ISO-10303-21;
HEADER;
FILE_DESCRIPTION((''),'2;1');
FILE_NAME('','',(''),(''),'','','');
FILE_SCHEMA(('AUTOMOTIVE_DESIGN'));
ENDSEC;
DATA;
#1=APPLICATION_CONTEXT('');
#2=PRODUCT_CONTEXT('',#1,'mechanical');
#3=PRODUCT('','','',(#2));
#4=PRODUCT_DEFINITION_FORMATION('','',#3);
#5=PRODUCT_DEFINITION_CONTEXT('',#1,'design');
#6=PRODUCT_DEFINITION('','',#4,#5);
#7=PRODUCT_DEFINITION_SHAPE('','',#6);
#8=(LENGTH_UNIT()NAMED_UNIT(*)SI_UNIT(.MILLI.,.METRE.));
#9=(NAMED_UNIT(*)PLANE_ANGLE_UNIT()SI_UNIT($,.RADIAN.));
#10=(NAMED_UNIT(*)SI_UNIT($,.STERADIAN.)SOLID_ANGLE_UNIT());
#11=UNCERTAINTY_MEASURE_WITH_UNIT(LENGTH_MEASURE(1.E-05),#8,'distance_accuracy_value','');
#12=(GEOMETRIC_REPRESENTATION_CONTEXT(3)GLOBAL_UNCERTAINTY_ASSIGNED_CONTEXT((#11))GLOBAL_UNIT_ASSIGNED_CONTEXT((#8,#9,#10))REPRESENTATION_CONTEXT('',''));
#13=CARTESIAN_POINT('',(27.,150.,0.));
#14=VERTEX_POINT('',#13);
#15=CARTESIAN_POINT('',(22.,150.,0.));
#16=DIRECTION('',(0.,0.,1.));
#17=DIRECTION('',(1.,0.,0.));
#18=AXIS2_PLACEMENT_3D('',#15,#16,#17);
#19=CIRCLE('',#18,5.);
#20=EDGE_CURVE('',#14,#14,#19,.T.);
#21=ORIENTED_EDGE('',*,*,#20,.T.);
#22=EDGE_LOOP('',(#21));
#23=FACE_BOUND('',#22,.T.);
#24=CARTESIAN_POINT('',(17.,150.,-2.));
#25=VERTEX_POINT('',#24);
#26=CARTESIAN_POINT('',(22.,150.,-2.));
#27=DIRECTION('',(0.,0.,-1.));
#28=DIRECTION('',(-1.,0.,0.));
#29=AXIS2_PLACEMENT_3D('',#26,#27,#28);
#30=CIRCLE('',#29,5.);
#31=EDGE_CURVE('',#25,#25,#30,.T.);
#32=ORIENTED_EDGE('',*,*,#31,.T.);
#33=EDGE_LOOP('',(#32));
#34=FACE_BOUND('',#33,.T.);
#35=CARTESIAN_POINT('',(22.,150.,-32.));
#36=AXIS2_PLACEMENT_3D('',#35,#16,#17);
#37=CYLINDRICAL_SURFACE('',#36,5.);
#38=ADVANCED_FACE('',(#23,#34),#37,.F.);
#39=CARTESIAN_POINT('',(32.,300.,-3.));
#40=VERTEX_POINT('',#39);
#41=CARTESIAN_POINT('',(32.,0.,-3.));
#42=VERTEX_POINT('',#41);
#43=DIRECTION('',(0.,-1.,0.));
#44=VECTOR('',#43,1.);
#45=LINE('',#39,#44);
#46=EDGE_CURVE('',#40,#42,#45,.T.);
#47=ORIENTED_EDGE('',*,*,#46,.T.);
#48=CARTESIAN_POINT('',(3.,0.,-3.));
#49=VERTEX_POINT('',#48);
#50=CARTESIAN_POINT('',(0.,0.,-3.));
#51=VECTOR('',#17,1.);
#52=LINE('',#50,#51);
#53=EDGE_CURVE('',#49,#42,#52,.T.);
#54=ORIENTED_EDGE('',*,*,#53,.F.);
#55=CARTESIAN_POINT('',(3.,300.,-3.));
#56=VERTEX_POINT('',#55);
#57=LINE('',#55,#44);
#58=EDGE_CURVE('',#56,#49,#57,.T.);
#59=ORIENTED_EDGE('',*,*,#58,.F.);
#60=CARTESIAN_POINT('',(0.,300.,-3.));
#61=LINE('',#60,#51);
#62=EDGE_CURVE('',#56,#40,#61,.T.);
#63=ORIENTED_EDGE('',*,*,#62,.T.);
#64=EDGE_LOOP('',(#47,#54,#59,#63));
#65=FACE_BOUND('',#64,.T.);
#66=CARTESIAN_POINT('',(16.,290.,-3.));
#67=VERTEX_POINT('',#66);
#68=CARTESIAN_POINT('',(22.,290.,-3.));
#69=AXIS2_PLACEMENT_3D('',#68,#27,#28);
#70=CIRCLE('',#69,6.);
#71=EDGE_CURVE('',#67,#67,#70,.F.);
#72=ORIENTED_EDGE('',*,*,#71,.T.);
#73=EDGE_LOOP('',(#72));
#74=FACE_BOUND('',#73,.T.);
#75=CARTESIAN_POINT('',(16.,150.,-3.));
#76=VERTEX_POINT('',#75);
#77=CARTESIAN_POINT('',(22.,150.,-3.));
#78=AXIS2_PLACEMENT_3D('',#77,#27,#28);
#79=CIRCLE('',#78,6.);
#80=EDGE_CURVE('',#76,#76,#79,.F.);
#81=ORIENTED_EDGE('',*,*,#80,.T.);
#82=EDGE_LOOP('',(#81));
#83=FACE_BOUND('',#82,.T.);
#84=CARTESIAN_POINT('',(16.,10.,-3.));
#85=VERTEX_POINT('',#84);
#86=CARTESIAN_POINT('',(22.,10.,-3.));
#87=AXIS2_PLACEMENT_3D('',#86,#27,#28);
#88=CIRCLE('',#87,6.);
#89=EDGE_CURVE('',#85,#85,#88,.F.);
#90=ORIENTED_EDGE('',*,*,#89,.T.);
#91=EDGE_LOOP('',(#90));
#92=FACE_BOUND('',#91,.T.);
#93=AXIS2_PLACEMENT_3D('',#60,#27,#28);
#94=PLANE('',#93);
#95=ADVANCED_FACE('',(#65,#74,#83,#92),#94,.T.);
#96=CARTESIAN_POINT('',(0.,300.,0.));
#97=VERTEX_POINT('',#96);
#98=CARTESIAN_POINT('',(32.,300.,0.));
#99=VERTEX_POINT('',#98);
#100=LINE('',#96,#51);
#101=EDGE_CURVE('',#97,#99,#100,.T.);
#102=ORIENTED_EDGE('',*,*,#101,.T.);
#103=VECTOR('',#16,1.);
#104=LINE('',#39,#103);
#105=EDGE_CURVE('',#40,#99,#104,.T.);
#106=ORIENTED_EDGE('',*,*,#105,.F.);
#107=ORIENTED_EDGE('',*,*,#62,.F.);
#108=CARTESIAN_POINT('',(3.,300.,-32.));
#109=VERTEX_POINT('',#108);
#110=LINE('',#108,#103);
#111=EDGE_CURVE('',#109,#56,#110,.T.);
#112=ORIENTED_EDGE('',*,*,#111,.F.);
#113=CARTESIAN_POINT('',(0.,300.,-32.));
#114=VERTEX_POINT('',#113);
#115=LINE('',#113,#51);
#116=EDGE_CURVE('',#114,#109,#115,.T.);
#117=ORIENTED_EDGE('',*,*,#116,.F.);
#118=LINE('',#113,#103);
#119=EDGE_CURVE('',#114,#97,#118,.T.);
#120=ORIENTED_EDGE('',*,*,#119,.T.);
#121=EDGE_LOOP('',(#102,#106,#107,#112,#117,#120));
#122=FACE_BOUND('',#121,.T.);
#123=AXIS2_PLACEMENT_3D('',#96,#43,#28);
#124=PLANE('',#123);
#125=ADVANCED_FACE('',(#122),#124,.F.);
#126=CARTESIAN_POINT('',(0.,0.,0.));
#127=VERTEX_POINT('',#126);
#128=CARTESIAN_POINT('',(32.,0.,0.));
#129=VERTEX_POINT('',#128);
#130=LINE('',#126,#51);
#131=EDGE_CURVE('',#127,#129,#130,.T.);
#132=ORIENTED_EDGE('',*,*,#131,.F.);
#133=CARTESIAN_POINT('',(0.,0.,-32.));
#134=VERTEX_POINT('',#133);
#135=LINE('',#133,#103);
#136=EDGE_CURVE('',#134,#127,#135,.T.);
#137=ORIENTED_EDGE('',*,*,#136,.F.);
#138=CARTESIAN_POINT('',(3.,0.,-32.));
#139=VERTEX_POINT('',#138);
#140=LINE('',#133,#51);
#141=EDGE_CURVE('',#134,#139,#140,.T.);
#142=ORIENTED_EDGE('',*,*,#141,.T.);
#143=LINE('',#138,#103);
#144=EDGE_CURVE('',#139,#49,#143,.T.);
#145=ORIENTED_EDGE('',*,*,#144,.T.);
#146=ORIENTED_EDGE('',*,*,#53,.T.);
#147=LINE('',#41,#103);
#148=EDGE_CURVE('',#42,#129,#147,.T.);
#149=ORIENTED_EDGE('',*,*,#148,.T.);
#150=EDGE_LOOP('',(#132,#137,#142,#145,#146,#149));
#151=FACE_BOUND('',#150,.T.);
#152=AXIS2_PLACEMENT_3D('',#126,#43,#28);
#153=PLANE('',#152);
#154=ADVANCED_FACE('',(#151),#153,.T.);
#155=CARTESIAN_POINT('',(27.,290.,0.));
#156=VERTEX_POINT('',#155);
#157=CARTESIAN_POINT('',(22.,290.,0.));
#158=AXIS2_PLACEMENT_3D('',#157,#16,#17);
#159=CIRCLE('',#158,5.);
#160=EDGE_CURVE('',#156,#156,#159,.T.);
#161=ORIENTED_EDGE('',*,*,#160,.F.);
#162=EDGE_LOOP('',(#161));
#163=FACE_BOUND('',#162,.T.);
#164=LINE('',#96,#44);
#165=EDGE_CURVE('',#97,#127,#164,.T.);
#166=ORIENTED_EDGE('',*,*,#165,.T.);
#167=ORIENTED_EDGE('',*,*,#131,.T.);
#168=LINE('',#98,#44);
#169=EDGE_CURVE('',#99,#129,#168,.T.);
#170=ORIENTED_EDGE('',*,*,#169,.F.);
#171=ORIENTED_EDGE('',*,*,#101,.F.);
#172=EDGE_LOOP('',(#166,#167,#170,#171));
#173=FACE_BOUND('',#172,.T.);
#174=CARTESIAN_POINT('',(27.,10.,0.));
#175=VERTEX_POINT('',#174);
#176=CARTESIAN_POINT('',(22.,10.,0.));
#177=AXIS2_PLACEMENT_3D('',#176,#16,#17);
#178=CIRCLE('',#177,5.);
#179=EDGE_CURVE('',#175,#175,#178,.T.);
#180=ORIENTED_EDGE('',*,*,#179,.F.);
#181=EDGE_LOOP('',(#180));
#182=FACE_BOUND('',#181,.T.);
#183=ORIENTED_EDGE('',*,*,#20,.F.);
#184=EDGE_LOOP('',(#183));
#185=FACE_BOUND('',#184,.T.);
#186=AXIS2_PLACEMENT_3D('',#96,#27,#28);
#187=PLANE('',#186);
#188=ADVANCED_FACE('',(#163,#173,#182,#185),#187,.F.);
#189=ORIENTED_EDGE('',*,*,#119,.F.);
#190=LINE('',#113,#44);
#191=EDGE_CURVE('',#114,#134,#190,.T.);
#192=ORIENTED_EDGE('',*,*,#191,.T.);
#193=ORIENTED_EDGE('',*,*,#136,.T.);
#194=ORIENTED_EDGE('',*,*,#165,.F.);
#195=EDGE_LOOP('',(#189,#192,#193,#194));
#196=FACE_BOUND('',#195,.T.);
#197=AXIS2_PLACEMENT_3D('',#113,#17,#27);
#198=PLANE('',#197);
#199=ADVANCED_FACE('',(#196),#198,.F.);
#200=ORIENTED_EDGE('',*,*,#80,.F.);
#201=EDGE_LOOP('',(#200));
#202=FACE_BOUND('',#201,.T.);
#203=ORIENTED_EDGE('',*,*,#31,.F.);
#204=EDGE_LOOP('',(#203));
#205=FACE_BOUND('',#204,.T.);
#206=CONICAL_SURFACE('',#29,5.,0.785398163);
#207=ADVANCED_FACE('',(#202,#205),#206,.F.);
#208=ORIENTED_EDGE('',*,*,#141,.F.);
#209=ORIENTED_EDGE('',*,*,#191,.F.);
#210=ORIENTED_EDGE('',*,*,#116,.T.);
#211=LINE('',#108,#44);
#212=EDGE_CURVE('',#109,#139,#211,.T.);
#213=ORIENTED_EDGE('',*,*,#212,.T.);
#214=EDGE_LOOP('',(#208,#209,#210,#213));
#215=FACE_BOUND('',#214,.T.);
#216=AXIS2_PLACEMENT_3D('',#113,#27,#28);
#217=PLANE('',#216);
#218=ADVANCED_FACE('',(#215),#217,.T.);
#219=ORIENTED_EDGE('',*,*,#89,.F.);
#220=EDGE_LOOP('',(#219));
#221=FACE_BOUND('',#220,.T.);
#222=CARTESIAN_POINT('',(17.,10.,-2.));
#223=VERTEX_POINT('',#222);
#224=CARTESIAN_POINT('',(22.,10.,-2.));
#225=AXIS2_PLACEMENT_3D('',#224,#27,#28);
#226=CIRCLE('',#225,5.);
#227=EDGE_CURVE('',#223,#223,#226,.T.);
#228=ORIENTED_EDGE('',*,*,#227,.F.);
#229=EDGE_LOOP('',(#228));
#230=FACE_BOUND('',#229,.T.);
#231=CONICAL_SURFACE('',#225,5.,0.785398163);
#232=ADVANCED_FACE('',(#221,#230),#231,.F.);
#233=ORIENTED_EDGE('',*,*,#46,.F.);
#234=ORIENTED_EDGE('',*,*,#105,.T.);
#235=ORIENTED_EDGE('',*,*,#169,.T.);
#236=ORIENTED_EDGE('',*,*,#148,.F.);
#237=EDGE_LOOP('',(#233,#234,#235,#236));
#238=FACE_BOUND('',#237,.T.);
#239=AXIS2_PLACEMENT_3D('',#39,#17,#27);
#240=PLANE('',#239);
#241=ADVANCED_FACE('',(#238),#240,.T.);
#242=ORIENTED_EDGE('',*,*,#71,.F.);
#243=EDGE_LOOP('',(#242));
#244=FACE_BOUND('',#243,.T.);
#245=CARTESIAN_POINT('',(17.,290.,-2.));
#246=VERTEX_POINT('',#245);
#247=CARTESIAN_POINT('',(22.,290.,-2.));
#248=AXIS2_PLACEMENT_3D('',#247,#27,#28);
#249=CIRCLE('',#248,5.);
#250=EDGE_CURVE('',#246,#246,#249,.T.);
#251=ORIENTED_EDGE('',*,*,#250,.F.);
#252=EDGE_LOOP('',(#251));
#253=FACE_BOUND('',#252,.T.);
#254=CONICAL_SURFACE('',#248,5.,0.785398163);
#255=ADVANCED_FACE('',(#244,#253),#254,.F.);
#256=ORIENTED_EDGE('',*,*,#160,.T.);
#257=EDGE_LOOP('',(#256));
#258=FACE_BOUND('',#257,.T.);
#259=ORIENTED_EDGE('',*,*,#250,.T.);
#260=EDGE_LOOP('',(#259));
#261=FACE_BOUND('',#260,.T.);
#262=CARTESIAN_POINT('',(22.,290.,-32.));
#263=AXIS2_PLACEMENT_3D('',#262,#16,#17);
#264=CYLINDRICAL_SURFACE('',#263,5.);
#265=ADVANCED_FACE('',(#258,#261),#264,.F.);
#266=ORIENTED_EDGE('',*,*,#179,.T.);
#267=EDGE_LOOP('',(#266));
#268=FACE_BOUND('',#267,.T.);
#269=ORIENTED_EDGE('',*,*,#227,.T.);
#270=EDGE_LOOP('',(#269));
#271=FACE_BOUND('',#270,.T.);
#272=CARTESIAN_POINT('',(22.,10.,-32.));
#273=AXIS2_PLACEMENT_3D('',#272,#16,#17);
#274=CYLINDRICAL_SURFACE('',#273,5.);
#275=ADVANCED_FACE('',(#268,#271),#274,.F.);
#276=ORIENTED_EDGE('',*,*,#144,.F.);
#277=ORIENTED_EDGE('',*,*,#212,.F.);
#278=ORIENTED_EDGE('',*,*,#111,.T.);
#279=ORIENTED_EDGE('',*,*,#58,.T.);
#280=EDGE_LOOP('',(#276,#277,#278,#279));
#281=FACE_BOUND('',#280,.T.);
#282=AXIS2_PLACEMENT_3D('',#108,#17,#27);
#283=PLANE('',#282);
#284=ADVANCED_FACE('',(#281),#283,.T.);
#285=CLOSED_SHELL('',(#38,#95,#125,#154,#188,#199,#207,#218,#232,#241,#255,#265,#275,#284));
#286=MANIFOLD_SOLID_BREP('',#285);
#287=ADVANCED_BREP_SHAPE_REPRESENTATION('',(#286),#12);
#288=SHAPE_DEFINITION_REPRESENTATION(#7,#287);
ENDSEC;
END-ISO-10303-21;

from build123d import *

# Parameters (mm, degrees)
EXTRUDE_1_DEPTH     = 300
SKETCH_2_R          = 5
CUT_EXTRUDE_1_DEPTH = 33
CHAMFER_1_SIZE      = 1


with BuildPart() as part:
    # Эскиз1 → Вытянуть-Тонкостенный1 (new body)
    with BuildSketch(Plane(origin=(0, 0, 0), x_dir=(1, 0, 0), z_dir=(0, 1, 0))):
        Polygon((0, 32), (0, 0), (32, 0), (32, 3), (3, 3), (3, 32), align=None)
    extrude(amount=EXTRUDE_1_DEPTH)

    # Эскиз2 → Вырез-Вытянуть1 (cut, through all)
    with BuildSketch(Plane.XY):
        with Locations((22, 10)):
            Circle(SKETCH_2_R)
        with Locations((22, 150)):
            Circle(SKETCH_2_R)
        with Locations((22, 290)):
            Circle(SKETCH_2_R)
    extrude(amount=-CUT_EXTRUDE_1_DEPTH, mode=Mode.SUBTRACT)

    # Фаска1
    chamfer_1_edges = [part.edges().sort_by_distance(p)[0] for p in [
        (17, 10, -3),
        (17, 150, -3),
        (17, 290, -3),
    ]]
    chamfer(chamfer_1_edges, length=CHAMFER_1_SIZE)


solid = part.part
